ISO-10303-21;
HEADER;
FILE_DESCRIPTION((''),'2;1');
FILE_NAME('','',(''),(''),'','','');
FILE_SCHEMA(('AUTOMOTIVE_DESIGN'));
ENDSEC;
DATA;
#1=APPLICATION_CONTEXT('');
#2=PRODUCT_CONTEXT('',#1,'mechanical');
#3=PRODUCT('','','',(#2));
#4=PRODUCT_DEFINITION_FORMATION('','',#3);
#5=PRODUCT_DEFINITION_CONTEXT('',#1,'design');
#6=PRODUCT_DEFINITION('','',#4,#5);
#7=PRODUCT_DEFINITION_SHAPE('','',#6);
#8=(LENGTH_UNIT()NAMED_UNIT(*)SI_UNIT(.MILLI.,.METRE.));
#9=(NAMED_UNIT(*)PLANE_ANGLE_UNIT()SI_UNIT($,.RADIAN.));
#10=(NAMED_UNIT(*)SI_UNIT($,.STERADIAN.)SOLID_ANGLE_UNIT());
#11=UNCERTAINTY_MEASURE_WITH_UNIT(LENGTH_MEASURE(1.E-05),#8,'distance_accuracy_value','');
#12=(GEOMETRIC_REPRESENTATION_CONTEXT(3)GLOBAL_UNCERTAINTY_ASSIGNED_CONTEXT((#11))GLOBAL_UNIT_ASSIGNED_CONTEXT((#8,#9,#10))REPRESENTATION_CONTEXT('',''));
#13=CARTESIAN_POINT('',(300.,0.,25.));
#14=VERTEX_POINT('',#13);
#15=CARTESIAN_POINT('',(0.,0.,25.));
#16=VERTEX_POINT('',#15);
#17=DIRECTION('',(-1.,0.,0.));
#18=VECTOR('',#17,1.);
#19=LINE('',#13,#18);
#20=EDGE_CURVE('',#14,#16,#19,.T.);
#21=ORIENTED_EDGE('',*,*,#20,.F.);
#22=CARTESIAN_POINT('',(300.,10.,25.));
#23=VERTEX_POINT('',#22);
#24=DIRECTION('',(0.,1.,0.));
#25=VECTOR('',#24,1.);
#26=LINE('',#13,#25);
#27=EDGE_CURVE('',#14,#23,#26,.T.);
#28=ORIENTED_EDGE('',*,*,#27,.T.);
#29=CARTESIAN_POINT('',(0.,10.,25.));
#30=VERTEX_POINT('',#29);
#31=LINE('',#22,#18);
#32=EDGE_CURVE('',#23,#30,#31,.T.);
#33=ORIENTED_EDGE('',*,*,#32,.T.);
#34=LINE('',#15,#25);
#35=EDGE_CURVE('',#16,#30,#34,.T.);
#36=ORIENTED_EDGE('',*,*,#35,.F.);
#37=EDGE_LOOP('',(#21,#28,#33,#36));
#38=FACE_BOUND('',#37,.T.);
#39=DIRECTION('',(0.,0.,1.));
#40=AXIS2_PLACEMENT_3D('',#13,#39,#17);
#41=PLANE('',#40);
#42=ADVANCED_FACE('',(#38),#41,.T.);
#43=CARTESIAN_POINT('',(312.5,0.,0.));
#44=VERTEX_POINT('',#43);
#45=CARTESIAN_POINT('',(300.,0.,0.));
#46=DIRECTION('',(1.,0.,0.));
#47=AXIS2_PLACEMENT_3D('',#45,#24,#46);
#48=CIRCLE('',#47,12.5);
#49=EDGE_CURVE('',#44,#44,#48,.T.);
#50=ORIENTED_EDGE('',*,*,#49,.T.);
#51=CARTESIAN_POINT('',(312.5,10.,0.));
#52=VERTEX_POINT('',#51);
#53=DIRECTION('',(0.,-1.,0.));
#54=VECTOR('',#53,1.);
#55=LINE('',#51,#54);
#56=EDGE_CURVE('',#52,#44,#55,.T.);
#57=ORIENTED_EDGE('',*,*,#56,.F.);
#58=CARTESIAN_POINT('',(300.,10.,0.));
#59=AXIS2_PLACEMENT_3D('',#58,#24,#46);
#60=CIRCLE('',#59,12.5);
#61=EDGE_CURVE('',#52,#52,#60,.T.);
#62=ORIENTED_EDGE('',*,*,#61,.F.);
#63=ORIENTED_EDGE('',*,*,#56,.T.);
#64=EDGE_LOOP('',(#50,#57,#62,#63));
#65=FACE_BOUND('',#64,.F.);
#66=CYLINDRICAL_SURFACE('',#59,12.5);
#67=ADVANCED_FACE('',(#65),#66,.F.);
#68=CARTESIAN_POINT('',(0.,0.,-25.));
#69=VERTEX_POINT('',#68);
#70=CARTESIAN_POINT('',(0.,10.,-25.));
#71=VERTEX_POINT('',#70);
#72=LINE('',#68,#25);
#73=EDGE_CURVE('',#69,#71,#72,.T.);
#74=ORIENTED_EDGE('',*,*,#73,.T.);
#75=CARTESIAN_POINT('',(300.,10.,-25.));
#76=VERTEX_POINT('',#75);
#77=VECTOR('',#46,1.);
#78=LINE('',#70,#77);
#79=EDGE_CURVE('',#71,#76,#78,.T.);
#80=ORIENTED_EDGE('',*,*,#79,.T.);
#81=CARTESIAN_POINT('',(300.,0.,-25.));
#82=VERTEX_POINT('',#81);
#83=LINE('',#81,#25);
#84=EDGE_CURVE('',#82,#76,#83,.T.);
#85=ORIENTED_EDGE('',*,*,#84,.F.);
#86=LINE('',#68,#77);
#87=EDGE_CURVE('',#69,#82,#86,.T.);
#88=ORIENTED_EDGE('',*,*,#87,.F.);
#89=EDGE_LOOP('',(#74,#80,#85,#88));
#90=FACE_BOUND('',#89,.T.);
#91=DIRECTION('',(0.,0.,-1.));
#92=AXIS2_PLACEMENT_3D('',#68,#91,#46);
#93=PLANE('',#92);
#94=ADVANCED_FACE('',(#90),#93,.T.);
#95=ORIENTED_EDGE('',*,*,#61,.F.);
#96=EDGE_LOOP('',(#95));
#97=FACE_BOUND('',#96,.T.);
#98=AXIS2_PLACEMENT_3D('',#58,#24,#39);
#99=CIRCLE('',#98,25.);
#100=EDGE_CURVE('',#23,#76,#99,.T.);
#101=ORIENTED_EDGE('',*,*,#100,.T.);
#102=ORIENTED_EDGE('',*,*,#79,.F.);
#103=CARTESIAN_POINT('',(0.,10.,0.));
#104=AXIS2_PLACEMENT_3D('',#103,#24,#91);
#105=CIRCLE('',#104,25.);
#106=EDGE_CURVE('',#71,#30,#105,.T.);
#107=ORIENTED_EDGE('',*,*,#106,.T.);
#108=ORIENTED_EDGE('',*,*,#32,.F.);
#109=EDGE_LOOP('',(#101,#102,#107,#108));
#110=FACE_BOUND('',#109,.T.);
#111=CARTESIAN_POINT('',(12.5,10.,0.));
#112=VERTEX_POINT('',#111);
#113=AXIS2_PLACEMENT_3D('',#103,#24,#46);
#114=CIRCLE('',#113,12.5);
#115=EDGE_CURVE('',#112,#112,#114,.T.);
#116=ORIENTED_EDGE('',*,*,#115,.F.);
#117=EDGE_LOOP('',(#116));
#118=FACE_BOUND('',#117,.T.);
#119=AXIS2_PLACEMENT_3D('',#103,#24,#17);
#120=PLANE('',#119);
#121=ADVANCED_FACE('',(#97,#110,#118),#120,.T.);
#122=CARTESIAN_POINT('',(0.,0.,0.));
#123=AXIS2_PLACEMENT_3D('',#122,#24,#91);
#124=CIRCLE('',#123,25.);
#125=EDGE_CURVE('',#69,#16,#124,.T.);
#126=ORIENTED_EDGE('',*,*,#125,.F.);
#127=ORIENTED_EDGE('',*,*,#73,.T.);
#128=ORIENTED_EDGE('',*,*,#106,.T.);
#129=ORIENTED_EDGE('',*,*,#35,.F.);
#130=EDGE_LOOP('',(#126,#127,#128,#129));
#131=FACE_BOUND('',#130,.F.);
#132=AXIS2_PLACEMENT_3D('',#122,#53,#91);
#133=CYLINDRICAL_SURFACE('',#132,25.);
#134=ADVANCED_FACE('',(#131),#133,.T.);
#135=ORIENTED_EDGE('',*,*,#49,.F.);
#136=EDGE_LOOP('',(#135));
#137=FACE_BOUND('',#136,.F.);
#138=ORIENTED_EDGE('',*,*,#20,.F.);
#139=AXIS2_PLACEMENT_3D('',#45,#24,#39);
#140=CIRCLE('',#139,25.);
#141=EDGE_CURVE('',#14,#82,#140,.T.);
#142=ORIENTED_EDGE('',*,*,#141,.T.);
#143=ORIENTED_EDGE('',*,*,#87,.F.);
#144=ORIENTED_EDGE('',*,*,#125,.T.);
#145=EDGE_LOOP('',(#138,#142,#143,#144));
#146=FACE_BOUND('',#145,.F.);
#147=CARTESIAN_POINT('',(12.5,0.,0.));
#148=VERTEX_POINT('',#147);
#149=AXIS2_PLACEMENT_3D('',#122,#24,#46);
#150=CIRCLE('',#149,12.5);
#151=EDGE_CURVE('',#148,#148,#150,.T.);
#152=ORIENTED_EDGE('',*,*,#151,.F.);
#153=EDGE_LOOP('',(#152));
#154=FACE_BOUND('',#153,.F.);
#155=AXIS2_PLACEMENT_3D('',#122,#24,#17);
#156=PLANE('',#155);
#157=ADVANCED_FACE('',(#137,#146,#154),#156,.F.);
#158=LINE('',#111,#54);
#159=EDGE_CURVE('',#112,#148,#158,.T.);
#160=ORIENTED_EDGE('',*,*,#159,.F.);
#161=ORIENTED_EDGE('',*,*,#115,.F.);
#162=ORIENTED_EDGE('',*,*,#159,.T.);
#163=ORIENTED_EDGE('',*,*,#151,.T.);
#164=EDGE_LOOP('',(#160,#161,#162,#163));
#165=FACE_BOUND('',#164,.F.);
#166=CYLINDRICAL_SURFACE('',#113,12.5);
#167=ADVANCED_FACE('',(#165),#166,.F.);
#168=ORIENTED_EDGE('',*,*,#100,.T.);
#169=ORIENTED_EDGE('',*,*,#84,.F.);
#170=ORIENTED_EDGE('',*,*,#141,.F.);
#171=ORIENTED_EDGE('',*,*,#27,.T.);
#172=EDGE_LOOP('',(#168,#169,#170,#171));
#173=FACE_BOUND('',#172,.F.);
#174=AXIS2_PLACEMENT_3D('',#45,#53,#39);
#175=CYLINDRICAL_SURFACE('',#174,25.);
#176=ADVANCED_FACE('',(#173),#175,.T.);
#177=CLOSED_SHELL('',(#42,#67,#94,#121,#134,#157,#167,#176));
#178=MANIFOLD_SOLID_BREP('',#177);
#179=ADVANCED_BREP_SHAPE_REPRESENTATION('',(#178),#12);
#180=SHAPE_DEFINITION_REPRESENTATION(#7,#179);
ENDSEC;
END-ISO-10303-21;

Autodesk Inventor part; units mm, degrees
ref_plane "YZ Plane" through (0, 0, 0) normal (1, 0, 0) x (0, 1, 0)
ref_plane "XZ Plane" through (0, 0, 0) normal (0, 1, 0) x (-1, 0, 0)
ref_plane "XY Plane" through (0, 0, 0) normal (0, 0, 1) x (1, 0, 0)
sketch "草圖1" plane through (0, 0, 0) normal (0, 1, 0) x (-1, 0, 0)
  arc A0 (0, -25) -> (0, 25) centre (0, 0) ccw
  line L0 (0, -25) -> (-300, -25)
  line L1 (-300, -25) -> (-300, 25) construction
  line L2 (-300, 25) -> (0, 25)
  line L3 (0, 25) -> (0, -25) construction
  arc A1 (-300, 25) -> (-300, -25) centre (-300, 0) ccw
  dimension "diameter" = 50
  dimension "center_length" = 300
extrude "thickness" add sketch "草圖1" along normal blind 10
sketch "草圖2" plane through (0, 10, 0) normal (0, 1, 0) x (1, 0, 0)
  circle A0 centre (0, 0) radius 12.5
  arc A1 (0, 25) -> (0, -25) centre (0, 0) ccw construction
  line L0 (0, -25) -> (300, -25) construction
  arc A2 (300, -25) -> (300, 25) centre (300, 0) ccw construction
  line L1 (300, 25) -> (0, 25) construction
  circle A3 centre (300, 0) radius 12.5
  dimension "hole" = 25
extrude "擠出2" cut sketch "草圖2" against normal up to surface (10 mm away)
properties part number "test"
